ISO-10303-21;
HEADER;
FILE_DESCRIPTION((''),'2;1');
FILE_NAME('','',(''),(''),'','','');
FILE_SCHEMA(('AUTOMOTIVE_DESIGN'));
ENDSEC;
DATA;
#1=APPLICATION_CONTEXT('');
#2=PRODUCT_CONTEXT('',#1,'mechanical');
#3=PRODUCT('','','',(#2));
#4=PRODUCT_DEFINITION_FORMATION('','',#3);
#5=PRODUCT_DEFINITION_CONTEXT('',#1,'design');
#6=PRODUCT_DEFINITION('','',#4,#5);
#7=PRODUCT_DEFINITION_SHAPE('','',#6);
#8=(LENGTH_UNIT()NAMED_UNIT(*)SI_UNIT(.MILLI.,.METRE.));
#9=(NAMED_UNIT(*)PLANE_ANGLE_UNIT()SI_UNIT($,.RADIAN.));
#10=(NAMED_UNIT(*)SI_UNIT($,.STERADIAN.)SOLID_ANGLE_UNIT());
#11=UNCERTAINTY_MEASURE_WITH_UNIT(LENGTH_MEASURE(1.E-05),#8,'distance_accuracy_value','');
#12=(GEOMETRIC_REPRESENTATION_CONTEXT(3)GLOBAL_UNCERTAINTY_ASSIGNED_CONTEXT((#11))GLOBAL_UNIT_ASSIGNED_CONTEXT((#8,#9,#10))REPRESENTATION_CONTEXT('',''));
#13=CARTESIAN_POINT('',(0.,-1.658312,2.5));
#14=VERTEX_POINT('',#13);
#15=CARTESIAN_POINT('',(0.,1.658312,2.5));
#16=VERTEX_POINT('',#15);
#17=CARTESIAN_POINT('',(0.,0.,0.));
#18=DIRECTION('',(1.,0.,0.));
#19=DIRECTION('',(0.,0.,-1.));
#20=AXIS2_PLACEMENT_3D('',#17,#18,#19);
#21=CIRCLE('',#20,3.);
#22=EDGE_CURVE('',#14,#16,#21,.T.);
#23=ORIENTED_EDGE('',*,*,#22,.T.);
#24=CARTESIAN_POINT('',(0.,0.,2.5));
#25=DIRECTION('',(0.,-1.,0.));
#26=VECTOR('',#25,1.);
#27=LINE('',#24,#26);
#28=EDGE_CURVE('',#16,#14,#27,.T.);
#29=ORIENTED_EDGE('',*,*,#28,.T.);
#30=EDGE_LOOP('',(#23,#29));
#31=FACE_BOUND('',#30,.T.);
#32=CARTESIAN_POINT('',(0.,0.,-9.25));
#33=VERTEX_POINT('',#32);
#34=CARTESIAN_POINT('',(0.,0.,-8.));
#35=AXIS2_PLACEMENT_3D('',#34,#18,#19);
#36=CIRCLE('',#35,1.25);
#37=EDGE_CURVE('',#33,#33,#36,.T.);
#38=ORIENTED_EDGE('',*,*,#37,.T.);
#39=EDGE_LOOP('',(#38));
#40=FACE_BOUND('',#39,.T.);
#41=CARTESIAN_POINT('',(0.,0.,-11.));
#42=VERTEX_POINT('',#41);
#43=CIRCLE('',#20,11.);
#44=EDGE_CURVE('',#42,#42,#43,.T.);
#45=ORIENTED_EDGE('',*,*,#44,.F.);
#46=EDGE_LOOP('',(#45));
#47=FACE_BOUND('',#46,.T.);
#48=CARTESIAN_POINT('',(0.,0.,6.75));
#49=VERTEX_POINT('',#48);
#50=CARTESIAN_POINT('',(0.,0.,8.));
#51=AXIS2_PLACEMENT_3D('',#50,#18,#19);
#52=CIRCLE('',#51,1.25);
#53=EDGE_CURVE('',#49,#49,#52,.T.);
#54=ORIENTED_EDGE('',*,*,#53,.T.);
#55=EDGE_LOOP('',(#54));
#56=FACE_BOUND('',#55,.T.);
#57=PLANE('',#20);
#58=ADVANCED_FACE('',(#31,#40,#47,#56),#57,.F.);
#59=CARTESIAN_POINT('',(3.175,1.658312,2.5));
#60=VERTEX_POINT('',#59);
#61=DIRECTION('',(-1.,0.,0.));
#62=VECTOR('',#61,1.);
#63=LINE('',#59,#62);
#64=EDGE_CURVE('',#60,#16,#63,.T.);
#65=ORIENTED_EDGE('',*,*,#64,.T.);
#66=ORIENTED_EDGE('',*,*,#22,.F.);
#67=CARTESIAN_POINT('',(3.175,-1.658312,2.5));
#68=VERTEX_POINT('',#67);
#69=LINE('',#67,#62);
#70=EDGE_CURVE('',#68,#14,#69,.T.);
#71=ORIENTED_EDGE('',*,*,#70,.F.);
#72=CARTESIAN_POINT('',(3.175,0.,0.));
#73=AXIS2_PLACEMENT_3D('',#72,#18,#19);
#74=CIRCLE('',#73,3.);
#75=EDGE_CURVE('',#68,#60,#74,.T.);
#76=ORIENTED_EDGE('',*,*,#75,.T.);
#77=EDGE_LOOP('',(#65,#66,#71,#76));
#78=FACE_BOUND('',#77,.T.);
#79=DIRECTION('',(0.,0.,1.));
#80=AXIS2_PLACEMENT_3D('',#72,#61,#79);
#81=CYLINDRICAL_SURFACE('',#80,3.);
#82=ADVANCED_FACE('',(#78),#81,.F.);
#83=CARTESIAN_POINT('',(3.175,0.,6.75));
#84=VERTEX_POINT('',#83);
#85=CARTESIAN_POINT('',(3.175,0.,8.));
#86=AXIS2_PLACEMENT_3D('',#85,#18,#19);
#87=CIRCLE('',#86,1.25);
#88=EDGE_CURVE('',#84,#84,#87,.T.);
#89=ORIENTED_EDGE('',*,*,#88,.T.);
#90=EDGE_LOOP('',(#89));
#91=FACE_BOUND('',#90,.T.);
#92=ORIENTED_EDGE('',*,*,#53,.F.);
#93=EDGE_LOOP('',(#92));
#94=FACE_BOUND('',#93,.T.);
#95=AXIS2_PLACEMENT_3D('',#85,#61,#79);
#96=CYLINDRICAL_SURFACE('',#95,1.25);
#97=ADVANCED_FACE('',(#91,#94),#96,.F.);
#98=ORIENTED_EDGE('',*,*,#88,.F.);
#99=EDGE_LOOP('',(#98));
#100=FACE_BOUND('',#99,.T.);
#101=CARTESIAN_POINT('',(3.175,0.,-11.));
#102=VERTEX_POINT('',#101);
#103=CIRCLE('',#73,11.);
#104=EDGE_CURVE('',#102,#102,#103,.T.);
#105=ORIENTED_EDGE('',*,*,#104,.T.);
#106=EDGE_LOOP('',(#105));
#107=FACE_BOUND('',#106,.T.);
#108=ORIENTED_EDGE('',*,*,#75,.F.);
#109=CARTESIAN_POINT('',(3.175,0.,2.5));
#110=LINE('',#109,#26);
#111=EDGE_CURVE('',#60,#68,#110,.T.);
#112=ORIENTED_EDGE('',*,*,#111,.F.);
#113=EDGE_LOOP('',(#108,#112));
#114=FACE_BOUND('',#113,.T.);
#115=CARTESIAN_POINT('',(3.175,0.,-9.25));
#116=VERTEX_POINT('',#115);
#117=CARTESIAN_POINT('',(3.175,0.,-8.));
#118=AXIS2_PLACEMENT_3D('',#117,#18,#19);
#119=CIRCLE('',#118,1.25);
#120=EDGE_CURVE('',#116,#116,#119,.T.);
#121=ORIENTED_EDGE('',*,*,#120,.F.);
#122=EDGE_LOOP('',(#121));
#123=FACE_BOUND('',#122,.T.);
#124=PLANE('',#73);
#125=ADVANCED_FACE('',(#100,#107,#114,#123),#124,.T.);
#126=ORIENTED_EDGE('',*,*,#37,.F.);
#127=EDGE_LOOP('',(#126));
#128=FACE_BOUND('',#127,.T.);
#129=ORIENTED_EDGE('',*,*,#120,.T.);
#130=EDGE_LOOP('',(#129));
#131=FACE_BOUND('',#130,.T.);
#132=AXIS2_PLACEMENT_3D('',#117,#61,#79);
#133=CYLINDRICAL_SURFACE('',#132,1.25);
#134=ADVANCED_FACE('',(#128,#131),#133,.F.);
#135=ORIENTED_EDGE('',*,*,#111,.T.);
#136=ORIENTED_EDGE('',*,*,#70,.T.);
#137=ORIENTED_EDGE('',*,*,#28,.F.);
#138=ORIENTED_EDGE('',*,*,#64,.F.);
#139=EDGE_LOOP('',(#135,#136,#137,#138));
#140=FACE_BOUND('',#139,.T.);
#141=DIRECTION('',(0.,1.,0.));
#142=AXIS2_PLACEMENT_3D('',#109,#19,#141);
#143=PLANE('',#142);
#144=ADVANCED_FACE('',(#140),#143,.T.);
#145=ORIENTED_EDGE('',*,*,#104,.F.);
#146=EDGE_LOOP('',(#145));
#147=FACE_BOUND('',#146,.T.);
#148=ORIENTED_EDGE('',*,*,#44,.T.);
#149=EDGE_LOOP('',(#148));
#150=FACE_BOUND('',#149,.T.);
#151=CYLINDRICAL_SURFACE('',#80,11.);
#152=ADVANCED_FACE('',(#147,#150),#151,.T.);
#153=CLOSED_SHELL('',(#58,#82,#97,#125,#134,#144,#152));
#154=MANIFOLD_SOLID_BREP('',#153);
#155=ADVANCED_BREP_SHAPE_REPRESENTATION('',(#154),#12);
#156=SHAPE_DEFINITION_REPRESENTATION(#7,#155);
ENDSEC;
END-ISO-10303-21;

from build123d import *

# Parameters (mm, degrees)
SKETCH1_R           = 11
SKETCH1_R_2         = 1.25
BOSS_EXTRUDE1_DEPTH = 3.175


with BuildPart() as part:
    # Sketch1 → Boss-Extrude1 (new body)
    with BuildSketch(Plane(origin=(0, 0, 0), x_dir=(0, 0, -1), z_dir=(1, 0, 0))):
        Circle(SKETCH1_R)
        with BuildLine():
            Line((-2.5, -1.658312395), (-2.5, 1.658312395))
            ThreePointArc((-2.5, 1.658312395), (0.866025404, 2.872281323), (3, 0))
            ThreePointArc((3, 0), (0.866025404, -2.872281323), (-2.5, -1.658312395))
        make_face(mode=Mode.SUBTRACT)
        with Locations((-8, 0)):
            Circle(SKETCH1_R_2, mode=Mode.SUBTRACT)
        with Locations((8, 0)):
            Circle(SKETCH1_R_2, mode=Mode.SUBTRACT)
    extrude(amount=BOSS_EXTRUDE1_DEPTH)


solid = part.part
